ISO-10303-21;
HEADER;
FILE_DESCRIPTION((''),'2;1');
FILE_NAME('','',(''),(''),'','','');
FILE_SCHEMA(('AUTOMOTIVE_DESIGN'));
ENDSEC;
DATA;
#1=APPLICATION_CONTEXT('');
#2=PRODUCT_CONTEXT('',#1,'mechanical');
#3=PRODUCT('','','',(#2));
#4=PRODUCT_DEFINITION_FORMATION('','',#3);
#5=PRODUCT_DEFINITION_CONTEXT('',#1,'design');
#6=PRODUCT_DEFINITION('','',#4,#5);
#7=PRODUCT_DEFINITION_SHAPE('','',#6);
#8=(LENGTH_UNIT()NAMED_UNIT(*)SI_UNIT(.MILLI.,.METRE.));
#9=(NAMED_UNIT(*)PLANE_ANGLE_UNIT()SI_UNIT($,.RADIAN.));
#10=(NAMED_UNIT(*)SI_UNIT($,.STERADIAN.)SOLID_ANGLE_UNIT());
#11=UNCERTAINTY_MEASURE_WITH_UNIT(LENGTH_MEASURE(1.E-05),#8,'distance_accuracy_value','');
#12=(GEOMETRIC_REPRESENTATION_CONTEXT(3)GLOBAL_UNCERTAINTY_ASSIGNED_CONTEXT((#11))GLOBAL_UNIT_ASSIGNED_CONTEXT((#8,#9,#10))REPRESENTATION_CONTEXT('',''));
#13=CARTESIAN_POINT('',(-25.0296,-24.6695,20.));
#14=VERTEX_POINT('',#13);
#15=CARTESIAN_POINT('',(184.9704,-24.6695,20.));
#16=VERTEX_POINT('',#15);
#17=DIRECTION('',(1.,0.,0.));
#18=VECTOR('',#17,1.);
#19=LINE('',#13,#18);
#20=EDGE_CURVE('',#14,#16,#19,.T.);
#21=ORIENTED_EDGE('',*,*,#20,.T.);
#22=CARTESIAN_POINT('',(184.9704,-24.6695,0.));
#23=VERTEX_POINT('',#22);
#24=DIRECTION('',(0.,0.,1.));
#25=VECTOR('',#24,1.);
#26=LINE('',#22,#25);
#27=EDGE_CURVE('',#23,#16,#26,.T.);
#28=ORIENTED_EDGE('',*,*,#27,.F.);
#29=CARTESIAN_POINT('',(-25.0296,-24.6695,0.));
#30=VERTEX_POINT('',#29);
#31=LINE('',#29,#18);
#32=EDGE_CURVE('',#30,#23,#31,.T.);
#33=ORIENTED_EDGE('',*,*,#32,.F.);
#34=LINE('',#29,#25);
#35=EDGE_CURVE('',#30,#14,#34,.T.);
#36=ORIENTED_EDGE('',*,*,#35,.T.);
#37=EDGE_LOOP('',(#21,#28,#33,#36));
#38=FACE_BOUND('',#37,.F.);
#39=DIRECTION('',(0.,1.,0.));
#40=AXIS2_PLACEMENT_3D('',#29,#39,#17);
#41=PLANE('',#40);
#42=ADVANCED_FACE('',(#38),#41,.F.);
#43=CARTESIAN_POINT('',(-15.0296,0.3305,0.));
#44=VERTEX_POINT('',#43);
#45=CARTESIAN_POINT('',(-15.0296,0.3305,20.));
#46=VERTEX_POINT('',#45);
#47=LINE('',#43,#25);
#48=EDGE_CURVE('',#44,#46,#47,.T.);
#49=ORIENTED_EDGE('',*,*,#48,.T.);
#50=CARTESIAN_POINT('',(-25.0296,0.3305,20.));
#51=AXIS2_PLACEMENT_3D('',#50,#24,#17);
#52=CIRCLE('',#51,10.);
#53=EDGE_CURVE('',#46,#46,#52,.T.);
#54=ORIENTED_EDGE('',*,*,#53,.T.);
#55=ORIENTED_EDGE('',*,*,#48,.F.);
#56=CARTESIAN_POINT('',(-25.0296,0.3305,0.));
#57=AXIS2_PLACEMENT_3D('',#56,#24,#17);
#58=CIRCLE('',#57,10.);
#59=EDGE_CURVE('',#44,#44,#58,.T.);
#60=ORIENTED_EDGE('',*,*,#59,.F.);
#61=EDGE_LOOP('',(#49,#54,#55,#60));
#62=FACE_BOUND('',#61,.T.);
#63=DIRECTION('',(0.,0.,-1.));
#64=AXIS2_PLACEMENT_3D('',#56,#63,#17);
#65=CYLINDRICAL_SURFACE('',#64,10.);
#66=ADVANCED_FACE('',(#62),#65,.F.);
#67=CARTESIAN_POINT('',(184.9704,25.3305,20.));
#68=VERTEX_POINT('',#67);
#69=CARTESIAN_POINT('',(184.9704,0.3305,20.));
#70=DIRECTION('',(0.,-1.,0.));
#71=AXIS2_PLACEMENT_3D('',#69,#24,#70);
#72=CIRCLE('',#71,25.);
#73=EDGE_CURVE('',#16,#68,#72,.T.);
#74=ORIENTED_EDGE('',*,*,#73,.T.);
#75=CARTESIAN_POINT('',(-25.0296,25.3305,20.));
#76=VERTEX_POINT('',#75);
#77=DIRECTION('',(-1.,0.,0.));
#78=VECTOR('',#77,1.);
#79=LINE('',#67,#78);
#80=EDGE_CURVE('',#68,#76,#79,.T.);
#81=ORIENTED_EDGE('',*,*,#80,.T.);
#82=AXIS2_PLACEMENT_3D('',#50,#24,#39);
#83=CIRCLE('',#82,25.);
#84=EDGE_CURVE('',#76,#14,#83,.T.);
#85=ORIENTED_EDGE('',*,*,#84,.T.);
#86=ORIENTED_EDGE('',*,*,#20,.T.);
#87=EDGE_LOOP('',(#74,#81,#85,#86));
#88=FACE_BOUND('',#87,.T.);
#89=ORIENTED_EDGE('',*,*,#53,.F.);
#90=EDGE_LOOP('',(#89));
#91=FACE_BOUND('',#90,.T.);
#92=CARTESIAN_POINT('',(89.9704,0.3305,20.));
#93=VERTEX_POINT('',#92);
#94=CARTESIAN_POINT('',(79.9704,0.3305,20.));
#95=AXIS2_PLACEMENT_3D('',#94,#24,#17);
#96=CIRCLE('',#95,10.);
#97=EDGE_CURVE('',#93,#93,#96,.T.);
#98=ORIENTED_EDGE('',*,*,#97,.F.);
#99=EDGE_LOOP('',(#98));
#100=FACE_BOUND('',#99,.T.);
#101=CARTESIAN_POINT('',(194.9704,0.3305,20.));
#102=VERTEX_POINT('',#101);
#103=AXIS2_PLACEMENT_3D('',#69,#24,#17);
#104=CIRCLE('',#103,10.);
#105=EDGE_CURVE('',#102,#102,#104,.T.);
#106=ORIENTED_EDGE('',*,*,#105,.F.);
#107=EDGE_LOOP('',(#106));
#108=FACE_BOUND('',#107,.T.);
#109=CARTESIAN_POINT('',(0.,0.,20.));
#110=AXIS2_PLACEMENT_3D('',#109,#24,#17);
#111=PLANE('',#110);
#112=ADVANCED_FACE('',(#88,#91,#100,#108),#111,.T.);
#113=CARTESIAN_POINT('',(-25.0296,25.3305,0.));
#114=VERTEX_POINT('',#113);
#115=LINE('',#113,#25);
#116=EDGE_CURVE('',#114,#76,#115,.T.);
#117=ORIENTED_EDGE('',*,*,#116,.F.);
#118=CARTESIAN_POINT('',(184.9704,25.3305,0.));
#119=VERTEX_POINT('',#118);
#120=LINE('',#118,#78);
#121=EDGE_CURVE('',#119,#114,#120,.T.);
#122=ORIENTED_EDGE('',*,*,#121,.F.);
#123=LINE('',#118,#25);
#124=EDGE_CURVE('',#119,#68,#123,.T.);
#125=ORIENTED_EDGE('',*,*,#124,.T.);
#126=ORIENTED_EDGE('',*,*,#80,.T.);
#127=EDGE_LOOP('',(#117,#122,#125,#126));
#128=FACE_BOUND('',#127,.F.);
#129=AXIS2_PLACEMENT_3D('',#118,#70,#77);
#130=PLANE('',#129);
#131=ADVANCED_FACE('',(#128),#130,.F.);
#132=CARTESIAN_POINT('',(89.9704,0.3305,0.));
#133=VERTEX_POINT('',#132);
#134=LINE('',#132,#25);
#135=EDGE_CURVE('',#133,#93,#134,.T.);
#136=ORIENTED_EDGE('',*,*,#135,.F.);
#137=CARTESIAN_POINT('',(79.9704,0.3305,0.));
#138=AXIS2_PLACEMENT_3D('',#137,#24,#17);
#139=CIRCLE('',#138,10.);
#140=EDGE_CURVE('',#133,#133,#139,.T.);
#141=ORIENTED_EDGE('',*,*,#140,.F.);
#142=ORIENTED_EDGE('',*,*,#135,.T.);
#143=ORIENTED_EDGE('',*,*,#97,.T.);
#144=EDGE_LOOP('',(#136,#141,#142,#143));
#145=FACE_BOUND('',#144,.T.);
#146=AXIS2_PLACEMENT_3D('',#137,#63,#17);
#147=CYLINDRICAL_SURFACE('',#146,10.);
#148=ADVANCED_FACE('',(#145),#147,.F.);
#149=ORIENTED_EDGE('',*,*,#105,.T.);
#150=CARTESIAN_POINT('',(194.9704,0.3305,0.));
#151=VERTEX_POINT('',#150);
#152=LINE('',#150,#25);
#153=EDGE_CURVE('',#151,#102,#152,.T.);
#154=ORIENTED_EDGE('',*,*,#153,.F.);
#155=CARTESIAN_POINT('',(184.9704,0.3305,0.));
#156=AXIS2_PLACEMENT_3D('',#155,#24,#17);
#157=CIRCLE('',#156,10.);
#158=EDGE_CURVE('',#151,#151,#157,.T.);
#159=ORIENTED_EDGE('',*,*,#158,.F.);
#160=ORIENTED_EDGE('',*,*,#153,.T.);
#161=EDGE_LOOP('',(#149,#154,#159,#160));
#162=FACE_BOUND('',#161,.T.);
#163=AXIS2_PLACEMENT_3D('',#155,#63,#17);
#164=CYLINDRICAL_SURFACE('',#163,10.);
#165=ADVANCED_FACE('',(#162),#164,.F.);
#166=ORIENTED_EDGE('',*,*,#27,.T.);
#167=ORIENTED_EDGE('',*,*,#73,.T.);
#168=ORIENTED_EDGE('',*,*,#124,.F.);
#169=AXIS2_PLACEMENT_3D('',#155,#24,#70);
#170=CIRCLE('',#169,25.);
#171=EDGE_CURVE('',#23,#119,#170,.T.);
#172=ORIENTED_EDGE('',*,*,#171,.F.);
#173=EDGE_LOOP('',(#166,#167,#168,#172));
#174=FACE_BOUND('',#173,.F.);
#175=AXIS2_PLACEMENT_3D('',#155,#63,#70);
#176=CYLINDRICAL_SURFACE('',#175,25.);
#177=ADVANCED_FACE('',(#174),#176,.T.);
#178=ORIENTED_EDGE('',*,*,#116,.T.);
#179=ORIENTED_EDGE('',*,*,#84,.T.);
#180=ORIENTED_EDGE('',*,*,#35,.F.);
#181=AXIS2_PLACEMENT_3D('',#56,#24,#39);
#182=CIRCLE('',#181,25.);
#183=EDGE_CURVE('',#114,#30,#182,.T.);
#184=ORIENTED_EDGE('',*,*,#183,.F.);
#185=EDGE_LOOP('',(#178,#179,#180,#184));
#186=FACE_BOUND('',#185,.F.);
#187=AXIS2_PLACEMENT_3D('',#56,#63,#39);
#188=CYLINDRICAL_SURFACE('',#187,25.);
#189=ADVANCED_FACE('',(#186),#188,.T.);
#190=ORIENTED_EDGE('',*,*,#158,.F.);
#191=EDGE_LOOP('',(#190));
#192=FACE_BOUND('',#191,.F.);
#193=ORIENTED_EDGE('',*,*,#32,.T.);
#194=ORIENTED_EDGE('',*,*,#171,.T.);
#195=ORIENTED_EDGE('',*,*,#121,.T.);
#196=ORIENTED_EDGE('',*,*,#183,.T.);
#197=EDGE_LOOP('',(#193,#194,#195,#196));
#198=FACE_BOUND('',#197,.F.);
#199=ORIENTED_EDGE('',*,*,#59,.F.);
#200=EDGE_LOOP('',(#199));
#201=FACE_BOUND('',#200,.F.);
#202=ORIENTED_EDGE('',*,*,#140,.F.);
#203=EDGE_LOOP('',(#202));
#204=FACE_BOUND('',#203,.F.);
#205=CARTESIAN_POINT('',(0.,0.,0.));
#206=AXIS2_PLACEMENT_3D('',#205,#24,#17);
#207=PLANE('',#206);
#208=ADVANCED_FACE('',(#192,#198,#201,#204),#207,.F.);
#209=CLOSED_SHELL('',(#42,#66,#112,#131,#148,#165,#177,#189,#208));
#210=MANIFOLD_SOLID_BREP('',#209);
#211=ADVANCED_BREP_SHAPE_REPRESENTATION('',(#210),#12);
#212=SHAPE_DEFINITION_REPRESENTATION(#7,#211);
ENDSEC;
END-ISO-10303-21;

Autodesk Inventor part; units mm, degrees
ref_plane "YZ Plane" through (0, 0, 0) normal (1, 0, 0) x (0, 1, 0)
ref_plane "XZ Plane" through (0, 0, 0) normal (0, 1, 0) x (-1, 0, 0)
ref_plane "XY Plane" through (0, 0, 0) normal (0, 0, 1) x (1, 0, 0)
sketch "Szkic1" plane through (0, 0, 0) normal (0, 0, 1) x (1, 0, 0)
  line L0 (-25.0296, 0.3305) -> (184.9704, 0.3305) construction
  line L1 (-25.0296, -24.6695) -> (184.9704, -24.6695)
  line L2 (184.9704, 25.3305) -> (-25.0296, 25.3305)
  arc A0 (-25.0296, 25.3305) -> (-25.0296, -24.6695) centre (-25.0296, 0.3305) ccw
  arc A1 (184.9704, -24.6695) -> (184.9704, 25.3305) centre (184.9704, 0.3305) ccw
  circle A2 centre (-25.0296, 0.3305) radius 10
  circle A3 centre (79.9704, 0.3305) radius 10
  circle A4 centre (184.9704, 0.3305) radius 10
  point P0 (0, 0)
  dimension "d0" = 210
  dimension "d1" = 50
  dimension "d2" = 20
  dimension "d3" = 20
  dimension "d4" = 20
extrude "Wyciągnięcie proste1" add sketch "Szkic1" along normal blind 20
properties part number "ramię"
